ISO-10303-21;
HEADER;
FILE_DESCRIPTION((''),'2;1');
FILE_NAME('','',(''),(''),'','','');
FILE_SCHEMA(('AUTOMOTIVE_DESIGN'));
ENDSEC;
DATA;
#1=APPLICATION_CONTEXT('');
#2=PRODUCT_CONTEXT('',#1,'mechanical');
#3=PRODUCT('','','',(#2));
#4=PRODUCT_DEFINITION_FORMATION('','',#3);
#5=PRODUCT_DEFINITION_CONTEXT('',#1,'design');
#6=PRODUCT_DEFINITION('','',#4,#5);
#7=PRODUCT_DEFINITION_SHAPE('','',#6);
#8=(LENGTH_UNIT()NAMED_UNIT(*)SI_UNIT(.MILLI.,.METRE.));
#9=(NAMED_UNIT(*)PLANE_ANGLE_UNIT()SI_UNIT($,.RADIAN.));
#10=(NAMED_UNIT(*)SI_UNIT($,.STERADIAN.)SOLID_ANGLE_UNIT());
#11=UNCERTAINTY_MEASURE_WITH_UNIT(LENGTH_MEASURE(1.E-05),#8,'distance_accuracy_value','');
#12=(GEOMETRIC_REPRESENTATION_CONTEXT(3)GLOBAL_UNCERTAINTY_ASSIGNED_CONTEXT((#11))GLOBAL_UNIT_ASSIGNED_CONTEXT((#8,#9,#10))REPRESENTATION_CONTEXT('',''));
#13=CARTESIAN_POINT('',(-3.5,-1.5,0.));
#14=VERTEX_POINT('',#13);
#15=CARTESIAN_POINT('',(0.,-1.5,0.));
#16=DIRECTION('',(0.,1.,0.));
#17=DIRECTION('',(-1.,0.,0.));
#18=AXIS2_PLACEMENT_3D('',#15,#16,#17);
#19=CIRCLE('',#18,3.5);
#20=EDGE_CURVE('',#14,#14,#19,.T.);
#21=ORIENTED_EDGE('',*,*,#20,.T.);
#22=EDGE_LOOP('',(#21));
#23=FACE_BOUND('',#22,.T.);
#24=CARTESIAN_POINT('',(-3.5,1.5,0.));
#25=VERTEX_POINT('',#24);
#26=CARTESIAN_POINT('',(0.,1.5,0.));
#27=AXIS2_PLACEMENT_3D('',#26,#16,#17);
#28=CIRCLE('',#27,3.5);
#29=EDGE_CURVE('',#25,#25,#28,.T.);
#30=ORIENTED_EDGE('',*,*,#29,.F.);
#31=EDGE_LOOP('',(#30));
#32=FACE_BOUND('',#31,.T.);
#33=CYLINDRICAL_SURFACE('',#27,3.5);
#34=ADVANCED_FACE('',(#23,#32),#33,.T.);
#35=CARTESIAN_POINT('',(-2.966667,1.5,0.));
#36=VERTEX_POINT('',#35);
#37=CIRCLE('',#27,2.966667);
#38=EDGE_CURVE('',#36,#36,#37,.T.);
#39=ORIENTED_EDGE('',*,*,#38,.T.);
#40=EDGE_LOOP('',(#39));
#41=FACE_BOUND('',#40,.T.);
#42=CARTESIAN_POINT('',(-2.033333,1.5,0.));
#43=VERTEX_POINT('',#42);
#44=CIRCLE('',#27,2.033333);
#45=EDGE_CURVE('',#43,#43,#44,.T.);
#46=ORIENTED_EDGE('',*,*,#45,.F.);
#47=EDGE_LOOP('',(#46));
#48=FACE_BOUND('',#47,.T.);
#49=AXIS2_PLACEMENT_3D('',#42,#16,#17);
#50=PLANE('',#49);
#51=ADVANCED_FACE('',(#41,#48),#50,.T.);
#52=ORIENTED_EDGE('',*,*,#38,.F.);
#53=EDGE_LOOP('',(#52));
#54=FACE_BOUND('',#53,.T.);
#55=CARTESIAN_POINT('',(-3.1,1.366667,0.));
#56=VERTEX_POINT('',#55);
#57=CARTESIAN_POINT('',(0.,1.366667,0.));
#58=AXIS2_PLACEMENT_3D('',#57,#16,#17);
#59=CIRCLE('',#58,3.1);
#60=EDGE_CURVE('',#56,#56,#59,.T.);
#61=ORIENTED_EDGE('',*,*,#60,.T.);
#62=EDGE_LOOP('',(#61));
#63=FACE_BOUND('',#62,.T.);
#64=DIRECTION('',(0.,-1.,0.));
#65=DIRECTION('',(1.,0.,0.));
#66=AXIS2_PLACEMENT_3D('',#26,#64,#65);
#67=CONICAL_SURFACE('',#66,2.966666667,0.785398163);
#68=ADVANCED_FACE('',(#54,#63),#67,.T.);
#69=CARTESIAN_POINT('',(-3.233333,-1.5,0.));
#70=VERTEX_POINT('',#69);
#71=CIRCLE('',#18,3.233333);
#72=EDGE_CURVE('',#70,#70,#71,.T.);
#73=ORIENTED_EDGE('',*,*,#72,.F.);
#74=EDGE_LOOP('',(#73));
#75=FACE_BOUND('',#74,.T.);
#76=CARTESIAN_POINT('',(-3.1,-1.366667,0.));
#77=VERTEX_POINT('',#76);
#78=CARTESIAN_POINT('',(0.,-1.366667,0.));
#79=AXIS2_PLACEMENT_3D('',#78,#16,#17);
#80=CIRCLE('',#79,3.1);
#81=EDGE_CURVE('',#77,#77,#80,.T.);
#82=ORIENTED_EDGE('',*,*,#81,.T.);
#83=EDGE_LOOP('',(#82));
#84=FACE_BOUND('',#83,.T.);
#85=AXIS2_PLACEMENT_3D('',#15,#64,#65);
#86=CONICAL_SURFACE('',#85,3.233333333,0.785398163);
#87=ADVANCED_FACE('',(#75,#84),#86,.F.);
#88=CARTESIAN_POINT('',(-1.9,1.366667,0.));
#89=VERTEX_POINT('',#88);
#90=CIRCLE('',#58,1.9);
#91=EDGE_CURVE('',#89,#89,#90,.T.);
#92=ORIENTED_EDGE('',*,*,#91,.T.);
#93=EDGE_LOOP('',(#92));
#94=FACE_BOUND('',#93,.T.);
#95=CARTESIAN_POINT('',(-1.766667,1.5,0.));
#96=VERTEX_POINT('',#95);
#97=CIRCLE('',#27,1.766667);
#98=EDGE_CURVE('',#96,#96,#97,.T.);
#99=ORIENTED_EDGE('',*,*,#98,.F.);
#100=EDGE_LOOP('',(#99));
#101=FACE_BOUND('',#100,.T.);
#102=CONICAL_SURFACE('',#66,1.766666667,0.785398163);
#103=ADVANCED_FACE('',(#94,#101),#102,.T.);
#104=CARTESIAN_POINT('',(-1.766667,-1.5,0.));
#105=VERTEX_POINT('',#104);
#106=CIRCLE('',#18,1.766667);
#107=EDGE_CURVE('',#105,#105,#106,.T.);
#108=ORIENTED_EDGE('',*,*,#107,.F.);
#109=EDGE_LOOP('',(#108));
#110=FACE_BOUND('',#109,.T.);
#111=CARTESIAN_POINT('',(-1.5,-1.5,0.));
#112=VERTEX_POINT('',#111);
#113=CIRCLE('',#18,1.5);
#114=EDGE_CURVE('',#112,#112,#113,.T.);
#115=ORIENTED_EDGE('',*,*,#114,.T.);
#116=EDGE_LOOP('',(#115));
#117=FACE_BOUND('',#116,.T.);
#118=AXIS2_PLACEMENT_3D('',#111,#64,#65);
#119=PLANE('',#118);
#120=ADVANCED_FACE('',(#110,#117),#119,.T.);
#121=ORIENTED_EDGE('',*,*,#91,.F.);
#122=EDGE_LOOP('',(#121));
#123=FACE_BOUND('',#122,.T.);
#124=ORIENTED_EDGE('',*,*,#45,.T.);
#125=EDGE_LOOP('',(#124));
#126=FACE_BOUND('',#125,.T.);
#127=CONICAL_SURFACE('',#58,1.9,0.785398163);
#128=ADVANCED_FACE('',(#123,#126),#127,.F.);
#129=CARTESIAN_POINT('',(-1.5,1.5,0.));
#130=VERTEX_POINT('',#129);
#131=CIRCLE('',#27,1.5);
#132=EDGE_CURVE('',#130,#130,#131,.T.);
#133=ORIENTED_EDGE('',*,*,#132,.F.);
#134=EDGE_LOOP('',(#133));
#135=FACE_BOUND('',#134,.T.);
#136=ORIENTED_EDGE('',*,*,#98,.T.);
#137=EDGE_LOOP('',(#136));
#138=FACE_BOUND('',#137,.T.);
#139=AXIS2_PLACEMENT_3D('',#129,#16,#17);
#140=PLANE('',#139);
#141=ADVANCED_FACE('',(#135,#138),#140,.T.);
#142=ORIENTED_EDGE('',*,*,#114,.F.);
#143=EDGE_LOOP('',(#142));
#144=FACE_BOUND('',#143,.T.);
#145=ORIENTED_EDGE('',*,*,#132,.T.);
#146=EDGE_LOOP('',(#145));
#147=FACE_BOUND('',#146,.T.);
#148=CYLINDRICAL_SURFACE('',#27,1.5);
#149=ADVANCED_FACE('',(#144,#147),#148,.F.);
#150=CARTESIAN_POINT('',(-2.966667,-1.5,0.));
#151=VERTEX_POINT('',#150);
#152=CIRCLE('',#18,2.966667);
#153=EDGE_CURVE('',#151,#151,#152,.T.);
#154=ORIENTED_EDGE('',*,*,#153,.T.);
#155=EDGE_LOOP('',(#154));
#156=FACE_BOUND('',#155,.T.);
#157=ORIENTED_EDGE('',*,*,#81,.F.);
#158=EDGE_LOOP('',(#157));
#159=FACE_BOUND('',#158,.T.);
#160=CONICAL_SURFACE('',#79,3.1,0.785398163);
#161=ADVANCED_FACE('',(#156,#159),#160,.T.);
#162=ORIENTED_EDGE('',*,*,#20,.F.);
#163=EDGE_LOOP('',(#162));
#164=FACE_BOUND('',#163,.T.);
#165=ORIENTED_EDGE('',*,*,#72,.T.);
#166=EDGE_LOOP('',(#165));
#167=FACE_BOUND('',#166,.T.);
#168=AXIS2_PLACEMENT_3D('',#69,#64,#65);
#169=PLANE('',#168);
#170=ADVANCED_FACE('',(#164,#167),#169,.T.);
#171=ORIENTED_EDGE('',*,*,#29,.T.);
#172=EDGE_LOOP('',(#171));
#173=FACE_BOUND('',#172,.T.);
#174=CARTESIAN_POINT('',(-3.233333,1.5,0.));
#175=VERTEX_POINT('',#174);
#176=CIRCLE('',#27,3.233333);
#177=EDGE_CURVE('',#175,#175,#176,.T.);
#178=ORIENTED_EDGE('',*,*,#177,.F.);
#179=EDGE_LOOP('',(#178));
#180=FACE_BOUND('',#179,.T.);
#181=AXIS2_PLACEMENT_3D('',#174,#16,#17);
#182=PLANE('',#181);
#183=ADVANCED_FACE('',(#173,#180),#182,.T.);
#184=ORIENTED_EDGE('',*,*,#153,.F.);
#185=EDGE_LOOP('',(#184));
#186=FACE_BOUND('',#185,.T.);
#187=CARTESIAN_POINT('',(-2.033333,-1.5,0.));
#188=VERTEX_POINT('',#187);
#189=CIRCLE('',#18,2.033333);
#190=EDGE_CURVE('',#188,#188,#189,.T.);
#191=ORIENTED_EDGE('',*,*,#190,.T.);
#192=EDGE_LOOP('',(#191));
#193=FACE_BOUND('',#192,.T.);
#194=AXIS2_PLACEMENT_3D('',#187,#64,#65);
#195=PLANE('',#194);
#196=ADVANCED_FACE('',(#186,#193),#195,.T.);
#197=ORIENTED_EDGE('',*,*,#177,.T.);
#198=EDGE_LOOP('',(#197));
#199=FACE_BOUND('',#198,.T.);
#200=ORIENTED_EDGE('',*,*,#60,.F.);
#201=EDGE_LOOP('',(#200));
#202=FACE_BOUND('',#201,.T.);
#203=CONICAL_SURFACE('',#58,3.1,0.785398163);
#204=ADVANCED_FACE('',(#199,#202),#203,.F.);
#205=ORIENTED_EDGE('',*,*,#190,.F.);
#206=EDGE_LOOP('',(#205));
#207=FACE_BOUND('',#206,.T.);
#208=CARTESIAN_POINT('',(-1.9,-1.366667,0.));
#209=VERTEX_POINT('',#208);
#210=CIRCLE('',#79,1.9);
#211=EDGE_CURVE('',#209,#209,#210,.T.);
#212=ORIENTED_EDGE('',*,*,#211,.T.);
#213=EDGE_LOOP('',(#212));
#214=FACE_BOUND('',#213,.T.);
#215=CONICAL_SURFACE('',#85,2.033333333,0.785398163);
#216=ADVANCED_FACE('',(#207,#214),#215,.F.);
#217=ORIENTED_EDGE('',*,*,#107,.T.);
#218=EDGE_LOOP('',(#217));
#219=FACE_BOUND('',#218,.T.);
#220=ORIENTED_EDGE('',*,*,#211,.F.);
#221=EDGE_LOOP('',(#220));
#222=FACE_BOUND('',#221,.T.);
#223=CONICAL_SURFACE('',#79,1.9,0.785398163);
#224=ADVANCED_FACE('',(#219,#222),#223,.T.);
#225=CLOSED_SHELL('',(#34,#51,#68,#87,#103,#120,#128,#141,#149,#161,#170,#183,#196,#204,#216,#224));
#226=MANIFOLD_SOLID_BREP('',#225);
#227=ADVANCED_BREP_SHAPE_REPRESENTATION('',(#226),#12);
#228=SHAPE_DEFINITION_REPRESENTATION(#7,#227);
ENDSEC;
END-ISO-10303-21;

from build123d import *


with BuildPart() as part:
    # Sketch1 → Revolve1 (revolve)
    with BuildSketch(Plane.XY):
        Polygon((-1.5, 1.5), (-1.766666667, 1.5), (-1.9, 1.366666667), (-2.033333333, 1.5), (-2.966666667, 1.5), (-3.1, 1.366666667), (-3.233333333, 1.5), (-3.5, 1.5), (-3.5, -1.5), (-3.233333333, -1.5), (-3.1, -1.366666667), (-2.966666667, -1.5), (-2.033333333, -1.5), (-1.9, -1.366666667), (-1.766666667, -1.5), (-1.5, -1.5), align=None)
    revolve(axis=Axis((0, 1.5, 0), (0, -1, 0)))


solid = part.part
